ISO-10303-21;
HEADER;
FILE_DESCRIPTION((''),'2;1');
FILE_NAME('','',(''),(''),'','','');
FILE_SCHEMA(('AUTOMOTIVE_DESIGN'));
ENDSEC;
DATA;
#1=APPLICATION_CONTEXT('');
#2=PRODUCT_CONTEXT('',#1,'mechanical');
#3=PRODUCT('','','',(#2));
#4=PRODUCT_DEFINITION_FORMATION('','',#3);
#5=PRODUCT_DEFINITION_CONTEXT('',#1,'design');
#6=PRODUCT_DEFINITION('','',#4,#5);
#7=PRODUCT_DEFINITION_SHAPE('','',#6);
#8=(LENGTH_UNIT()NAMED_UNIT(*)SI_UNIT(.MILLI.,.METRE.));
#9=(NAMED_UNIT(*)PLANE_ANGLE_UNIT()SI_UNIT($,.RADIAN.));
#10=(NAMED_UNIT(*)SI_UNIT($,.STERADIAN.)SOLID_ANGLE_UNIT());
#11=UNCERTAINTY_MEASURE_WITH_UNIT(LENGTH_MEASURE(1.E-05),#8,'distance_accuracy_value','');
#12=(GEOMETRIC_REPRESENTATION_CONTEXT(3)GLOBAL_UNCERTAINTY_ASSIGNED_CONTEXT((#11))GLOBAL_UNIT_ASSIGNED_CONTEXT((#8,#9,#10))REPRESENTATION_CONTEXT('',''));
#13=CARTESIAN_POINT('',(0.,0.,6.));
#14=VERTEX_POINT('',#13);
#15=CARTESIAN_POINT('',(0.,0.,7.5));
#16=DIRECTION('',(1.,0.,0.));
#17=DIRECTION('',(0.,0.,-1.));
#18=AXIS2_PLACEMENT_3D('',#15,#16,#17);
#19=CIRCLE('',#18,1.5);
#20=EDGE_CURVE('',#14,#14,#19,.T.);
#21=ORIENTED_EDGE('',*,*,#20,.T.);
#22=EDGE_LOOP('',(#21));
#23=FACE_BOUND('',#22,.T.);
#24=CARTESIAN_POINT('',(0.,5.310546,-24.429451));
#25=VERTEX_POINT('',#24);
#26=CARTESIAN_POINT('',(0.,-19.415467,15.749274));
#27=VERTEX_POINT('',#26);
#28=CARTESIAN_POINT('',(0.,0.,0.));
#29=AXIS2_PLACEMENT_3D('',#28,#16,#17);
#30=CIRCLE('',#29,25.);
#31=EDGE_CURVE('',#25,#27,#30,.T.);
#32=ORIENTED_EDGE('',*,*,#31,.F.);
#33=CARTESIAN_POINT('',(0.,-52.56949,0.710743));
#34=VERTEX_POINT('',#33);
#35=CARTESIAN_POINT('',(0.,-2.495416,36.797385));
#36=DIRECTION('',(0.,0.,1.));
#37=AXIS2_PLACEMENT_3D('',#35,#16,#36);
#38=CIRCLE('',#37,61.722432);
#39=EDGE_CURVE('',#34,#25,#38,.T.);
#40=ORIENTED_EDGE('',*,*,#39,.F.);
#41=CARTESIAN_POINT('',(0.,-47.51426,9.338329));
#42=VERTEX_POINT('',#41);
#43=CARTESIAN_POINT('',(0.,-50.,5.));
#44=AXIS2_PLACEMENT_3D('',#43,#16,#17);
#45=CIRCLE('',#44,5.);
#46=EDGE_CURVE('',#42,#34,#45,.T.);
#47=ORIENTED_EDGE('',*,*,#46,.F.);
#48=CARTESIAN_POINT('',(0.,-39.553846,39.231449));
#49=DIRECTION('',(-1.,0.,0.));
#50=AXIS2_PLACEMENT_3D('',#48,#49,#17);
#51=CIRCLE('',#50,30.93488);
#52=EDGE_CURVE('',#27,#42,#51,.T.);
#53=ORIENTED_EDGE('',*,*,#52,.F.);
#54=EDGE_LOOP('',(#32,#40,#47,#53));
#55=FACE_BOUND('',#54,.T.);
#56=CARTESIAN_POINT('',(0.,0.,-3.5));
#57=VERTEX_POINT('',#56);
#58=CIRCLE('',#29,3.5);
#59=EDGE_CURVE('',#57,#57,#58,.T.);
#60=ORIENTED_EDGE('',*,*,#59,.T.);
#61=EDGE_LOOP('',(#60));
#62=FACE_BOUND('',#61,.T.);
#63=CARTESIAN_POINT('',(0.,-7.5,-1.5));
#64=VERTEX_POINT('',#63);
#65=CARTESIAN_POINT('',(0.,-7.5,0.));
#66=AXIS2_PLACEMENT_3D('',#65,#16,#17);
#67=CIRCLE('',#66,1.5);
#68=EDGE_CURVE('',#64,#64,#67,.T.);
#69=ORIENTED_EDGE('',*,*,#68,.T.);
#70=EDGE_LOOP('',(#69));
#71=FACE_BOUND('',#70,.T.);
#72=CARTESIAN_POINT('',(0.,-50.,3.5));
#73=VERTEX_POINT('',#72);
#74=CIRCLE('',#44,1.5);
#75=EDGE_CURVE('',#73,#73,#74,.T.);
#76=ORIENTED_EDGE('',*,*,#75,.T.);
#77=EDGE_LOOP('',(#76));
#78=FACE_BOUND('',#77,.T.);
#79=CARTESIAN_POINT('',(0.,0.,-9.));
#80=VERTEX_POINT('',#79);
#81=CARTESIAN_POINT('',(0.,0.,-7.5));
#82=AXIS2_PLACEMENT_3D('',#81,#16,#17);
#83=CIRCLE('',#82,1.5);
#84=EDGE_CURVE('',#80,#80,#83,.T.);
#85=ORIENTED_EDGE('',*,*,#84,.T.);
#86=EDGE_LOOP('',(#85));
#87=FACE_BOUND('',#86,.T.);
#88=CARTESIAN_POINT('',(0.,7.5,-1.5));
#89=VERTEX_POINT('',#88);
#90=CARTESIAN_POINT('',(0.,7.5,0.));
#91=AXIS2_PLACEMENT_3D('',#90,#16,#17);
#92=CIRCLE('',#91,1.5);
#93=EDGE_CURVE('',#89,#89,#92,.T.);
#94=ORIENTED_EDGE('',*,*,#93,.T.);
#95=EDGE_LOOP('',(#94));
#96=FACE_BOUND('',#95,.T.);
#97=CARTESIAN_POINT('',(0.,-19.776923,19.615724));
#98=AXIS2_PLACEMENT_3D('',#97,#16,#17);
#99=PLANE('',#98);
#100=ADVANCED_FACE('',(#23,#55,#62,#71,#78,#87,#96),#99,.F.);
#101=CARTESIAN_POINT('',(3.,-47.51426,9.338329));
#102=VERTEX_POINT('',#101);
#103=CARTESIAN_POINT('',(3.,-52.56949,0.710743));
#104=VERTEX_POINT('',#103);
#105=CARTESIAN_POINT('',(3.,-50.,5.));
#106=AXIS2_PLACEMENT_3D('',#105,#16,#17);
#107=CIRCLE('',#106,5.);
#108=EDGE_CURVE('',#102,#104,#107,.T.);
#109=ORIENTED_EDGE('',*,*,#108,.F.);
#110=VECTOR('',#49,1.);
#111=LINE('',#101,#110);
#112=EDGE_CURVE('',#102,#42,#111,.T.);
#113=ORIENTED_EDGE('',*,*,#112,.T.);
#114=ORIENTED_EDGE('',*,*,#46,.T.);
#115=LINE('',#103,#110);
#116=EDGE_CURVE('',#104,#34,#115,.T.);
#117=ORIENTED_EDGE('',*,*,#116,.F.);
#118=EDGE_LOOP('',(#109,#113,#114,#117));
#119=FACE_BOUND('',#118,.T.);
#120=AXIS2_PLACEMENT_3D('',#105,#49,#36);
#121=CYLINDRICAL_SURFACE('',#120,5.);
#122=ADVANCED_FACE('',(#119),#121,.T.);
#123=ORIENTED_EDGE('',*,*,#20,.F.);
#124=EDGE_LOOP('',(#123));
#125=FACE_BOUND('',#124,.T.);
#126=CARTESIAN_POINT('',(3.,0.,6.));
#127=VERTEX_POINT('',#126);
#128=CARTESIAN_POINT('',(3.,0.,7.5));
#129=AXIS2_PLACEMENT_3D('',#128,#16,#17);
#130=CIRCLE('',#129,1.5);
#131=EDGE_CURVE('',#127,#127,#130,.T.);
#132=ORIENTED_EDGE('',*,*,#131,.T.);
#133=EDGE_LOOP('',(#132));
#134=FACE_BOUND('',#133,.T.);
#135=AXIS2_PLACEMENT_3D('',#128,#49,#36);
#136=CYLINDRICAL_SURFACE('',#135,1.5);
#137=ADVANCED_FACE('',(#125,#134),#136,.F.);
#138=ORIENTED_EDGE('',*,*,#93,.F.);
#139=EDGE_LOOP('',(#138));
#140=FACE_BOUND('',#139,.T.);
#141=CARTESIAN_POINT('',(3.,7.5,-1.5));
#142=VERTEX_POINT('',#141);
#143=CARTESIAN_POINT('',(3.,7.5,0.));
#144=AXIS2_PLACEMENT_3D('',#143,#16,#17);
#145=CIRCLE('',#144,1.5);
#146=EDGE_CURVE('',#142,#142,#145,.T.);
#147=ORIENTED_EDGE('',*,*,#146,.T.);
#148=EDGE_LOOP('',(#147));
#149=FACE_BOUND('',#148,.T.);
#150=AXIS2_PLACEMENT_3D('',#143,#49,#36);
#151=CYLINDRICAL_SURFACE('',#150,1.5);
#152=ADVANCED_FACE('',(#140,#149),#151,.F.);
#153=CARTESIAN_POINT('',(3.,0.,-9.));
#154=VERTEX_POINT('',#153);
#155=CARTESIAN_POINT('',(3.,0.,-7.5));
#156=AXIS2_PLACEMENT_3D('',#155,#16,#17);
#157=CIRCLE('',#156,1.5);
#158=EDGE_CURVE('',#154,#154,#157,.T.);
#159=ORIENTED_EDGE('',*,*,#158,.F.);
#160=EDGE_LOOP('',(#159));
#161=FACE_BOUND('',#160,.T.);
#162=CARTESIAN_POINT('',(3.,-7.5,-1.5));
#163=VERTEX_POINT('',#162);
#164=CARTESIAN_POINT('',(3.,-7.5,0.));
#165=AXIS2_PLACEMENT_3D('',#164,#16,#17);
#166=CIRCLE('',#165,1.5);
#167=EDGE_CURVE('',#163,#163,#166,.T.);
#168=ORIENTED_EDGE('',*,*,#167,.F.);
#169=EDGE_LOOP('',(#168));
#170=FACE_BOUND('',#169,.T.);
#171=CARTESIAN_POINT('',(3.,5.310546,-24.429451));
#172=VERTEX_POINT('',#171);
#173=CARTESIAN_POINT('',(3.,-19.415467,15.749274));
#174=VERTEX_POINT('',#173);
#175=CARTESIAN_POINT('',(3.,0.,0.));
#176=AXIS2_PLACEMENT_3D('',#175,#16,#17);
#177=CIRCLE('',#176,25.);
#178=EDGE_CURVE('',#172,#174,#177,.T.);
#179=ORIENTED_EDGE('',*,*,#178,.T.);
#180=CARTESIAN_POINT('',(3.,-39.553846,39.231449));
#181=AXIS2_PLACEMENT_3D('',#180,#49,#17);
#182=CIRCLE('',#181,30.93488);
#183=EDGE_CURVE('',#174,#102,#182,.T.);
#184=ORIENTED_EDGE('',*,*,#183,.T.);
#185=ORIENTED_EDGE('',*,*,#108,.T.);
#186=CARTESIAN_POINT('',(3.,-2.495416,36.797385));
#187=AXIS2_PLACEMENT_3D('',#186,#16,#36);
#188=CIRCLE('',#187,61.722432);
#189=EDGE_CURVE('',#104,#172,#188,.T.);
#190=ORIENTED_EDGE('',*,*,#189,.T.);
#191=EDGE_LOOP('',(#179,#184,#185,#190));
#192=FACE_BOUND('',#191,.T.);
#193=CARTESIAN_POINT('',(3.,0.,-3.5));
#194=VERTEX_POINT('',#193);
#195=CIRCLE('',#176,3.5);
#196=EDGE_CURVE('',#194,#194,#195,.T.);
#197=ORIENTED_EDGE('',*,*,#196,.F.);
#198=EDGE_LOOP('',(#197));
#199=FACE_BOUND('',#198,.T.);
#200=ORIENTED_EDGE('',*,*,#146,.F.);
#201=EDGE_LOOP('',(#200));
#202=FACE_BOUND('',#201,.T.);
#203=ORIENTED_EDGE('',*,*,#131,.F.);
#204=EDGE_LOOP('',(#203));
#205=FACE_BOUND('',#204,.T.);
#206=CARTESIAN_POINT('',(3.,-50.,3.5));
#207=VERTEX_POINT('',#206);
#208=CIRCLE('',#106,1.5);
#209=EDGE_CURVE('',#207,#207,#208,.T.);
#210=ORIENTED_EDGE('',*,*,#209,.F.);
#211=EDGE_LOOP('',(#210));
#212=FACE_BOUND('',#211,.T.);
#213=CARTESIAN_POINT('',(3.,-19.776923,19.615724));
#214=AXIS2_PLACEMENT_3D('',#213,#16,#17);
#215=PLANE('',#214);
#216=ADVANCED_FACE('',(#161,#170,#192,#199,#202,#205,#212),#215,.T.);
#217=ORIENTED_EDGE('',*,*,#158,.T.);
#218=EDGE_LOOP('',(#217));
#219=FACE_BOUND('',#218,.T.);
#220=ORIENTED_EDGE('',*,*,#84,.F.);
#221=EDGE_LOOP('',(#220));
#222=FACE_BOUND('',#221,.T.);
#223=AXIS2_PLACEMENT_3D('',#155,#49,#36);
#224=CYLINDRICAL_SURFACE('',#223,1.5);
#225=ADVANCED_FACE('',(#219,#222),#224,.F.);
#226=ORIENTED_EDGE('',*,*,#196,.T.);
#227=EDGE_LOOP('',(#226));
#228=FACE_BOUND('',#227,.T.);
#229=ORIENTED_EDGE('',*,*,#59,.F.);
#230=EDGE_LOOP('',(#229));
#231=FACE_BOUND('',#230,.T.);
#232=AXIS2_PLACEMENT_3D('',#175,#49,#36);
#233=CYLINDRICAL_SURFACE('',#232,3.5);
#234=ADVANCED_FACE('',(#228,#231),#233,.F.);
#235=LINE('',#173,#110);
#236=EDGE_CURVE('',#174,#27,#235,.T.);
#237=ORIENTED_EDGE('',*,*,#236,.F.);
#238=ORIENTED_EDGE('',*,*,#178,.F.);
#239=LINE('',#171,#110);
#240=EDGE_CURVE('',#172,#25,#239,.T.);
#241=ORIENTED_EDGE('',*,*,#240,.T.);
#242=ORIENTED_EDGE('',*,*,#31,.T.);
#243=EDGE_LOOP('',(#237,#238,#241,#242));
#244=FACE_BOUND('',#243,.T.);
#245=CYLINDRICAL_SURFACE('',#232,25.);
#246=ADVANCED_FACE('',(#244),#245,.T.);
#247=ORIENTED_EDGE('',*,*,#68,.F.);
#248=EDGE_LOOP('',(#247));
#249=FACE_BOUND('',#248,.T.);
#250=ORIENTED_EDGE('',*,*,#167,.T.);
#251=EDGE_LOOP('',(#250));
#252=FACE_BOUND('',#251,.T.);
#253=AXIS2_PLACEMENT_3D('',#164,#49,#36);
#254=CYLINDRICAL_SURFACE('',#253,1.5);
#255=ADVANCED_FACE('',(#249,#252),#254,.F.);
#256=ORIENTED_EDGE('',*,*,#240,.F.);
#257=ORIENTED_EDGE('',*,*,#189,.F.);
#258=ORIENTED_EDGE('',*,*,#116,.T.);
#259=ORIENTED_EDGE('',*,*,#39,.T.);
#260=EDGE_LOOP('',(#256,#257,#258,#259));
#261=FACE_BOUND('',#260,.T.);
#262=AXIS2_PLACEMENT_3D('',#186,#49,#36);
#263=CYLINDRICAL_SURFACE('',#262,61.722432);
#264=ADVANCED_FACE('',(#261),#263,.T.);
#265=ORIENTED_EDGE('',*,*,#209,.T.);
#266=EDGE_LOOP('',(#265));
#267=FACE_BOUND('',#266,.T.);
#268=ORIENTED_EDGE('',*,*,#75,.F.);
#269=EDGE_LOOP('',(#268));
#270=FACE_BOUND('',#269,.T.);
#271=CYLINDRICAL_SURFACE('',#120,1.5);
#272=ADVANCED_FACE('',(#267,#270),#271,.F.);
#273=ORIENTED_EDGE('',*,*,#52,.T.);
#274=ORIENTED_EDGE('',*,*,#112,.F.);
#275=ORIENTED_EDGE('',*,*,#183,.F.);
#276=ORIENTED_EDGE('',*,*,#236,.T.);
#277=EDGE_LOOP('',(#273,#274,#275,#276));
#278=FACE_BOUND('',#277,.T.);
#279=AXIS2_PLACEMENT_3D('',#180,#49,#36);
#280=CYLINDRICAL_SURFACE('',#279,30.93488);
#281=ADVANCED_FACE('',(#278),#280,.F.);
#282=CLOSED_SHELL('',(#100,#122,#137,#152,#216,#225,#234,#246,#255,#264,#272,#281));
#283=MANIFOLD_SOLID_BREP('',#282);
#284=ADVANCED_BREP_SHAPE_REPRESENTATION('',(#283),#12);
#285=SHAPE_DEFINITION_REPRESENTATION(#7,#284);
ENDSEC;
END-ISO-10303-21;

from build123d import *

# Parameters (mm, degrees)
CROQUIS1_R              = 3.5
CROQUIS1_R_2            = 1.5
SALIENTE_EXTRUIR1_DEPTH = 3


with BuildPart() as part:
    # Croquis1 → Saliente-Extruir1 (new body)
    with BuildSketch(Plane(origin=(0, 0, 0), x_dir=(0, 0, -1), z_dir=(1, 0, 0))):
        with BuildLine():
            ThreePointArc((24.429451457, 5.310546254), (-13.102683121, 21.291305621), (-15.74927408, -19.415467184))
            ThreePointArc((-15.74927408, -19.415467184), (-9.07160693, -32.67265708), (-9.338328875, -47.514260157))
            ThreePointArc((-9.338328875, -47.514260157), (-7.527733898, -54.313995983), (-0.71074339, -52.569489781))
            ThreePointArc((-0.71074339, -52.569489781), (19.815359954, -27.085163099), (24.429451457, 5.310546254))
        make_face()
        Circle(CROQUIS1_R, mode=Mode.SUBTRACT)
        with Locations((-5, -50)):
            Circle(CROQUIS1_R_2, mode=Mode.SUBTRACT)
        with Locations((-7.5, 0)):
            Circle(CROQUIS1_R_2, mode=Mode.SUBTRACT)
        with Locations((0, 7.5)):
            Circle(CROQUIS1_R_2, mode=Mode.SUBTRACT)
        with Locations((7.5, 0)):
            Circle(CROQUIS1_R_2, mode=Mode.SUBTRACT)
        with Locations((0, -7.5)):
            Circle(CROQUIS1_R_2, mode=Mode.SUBTRACT)
    extrude(amount=SALIENTE_EXTRUIR1_DEPTH)


solid = part.part
